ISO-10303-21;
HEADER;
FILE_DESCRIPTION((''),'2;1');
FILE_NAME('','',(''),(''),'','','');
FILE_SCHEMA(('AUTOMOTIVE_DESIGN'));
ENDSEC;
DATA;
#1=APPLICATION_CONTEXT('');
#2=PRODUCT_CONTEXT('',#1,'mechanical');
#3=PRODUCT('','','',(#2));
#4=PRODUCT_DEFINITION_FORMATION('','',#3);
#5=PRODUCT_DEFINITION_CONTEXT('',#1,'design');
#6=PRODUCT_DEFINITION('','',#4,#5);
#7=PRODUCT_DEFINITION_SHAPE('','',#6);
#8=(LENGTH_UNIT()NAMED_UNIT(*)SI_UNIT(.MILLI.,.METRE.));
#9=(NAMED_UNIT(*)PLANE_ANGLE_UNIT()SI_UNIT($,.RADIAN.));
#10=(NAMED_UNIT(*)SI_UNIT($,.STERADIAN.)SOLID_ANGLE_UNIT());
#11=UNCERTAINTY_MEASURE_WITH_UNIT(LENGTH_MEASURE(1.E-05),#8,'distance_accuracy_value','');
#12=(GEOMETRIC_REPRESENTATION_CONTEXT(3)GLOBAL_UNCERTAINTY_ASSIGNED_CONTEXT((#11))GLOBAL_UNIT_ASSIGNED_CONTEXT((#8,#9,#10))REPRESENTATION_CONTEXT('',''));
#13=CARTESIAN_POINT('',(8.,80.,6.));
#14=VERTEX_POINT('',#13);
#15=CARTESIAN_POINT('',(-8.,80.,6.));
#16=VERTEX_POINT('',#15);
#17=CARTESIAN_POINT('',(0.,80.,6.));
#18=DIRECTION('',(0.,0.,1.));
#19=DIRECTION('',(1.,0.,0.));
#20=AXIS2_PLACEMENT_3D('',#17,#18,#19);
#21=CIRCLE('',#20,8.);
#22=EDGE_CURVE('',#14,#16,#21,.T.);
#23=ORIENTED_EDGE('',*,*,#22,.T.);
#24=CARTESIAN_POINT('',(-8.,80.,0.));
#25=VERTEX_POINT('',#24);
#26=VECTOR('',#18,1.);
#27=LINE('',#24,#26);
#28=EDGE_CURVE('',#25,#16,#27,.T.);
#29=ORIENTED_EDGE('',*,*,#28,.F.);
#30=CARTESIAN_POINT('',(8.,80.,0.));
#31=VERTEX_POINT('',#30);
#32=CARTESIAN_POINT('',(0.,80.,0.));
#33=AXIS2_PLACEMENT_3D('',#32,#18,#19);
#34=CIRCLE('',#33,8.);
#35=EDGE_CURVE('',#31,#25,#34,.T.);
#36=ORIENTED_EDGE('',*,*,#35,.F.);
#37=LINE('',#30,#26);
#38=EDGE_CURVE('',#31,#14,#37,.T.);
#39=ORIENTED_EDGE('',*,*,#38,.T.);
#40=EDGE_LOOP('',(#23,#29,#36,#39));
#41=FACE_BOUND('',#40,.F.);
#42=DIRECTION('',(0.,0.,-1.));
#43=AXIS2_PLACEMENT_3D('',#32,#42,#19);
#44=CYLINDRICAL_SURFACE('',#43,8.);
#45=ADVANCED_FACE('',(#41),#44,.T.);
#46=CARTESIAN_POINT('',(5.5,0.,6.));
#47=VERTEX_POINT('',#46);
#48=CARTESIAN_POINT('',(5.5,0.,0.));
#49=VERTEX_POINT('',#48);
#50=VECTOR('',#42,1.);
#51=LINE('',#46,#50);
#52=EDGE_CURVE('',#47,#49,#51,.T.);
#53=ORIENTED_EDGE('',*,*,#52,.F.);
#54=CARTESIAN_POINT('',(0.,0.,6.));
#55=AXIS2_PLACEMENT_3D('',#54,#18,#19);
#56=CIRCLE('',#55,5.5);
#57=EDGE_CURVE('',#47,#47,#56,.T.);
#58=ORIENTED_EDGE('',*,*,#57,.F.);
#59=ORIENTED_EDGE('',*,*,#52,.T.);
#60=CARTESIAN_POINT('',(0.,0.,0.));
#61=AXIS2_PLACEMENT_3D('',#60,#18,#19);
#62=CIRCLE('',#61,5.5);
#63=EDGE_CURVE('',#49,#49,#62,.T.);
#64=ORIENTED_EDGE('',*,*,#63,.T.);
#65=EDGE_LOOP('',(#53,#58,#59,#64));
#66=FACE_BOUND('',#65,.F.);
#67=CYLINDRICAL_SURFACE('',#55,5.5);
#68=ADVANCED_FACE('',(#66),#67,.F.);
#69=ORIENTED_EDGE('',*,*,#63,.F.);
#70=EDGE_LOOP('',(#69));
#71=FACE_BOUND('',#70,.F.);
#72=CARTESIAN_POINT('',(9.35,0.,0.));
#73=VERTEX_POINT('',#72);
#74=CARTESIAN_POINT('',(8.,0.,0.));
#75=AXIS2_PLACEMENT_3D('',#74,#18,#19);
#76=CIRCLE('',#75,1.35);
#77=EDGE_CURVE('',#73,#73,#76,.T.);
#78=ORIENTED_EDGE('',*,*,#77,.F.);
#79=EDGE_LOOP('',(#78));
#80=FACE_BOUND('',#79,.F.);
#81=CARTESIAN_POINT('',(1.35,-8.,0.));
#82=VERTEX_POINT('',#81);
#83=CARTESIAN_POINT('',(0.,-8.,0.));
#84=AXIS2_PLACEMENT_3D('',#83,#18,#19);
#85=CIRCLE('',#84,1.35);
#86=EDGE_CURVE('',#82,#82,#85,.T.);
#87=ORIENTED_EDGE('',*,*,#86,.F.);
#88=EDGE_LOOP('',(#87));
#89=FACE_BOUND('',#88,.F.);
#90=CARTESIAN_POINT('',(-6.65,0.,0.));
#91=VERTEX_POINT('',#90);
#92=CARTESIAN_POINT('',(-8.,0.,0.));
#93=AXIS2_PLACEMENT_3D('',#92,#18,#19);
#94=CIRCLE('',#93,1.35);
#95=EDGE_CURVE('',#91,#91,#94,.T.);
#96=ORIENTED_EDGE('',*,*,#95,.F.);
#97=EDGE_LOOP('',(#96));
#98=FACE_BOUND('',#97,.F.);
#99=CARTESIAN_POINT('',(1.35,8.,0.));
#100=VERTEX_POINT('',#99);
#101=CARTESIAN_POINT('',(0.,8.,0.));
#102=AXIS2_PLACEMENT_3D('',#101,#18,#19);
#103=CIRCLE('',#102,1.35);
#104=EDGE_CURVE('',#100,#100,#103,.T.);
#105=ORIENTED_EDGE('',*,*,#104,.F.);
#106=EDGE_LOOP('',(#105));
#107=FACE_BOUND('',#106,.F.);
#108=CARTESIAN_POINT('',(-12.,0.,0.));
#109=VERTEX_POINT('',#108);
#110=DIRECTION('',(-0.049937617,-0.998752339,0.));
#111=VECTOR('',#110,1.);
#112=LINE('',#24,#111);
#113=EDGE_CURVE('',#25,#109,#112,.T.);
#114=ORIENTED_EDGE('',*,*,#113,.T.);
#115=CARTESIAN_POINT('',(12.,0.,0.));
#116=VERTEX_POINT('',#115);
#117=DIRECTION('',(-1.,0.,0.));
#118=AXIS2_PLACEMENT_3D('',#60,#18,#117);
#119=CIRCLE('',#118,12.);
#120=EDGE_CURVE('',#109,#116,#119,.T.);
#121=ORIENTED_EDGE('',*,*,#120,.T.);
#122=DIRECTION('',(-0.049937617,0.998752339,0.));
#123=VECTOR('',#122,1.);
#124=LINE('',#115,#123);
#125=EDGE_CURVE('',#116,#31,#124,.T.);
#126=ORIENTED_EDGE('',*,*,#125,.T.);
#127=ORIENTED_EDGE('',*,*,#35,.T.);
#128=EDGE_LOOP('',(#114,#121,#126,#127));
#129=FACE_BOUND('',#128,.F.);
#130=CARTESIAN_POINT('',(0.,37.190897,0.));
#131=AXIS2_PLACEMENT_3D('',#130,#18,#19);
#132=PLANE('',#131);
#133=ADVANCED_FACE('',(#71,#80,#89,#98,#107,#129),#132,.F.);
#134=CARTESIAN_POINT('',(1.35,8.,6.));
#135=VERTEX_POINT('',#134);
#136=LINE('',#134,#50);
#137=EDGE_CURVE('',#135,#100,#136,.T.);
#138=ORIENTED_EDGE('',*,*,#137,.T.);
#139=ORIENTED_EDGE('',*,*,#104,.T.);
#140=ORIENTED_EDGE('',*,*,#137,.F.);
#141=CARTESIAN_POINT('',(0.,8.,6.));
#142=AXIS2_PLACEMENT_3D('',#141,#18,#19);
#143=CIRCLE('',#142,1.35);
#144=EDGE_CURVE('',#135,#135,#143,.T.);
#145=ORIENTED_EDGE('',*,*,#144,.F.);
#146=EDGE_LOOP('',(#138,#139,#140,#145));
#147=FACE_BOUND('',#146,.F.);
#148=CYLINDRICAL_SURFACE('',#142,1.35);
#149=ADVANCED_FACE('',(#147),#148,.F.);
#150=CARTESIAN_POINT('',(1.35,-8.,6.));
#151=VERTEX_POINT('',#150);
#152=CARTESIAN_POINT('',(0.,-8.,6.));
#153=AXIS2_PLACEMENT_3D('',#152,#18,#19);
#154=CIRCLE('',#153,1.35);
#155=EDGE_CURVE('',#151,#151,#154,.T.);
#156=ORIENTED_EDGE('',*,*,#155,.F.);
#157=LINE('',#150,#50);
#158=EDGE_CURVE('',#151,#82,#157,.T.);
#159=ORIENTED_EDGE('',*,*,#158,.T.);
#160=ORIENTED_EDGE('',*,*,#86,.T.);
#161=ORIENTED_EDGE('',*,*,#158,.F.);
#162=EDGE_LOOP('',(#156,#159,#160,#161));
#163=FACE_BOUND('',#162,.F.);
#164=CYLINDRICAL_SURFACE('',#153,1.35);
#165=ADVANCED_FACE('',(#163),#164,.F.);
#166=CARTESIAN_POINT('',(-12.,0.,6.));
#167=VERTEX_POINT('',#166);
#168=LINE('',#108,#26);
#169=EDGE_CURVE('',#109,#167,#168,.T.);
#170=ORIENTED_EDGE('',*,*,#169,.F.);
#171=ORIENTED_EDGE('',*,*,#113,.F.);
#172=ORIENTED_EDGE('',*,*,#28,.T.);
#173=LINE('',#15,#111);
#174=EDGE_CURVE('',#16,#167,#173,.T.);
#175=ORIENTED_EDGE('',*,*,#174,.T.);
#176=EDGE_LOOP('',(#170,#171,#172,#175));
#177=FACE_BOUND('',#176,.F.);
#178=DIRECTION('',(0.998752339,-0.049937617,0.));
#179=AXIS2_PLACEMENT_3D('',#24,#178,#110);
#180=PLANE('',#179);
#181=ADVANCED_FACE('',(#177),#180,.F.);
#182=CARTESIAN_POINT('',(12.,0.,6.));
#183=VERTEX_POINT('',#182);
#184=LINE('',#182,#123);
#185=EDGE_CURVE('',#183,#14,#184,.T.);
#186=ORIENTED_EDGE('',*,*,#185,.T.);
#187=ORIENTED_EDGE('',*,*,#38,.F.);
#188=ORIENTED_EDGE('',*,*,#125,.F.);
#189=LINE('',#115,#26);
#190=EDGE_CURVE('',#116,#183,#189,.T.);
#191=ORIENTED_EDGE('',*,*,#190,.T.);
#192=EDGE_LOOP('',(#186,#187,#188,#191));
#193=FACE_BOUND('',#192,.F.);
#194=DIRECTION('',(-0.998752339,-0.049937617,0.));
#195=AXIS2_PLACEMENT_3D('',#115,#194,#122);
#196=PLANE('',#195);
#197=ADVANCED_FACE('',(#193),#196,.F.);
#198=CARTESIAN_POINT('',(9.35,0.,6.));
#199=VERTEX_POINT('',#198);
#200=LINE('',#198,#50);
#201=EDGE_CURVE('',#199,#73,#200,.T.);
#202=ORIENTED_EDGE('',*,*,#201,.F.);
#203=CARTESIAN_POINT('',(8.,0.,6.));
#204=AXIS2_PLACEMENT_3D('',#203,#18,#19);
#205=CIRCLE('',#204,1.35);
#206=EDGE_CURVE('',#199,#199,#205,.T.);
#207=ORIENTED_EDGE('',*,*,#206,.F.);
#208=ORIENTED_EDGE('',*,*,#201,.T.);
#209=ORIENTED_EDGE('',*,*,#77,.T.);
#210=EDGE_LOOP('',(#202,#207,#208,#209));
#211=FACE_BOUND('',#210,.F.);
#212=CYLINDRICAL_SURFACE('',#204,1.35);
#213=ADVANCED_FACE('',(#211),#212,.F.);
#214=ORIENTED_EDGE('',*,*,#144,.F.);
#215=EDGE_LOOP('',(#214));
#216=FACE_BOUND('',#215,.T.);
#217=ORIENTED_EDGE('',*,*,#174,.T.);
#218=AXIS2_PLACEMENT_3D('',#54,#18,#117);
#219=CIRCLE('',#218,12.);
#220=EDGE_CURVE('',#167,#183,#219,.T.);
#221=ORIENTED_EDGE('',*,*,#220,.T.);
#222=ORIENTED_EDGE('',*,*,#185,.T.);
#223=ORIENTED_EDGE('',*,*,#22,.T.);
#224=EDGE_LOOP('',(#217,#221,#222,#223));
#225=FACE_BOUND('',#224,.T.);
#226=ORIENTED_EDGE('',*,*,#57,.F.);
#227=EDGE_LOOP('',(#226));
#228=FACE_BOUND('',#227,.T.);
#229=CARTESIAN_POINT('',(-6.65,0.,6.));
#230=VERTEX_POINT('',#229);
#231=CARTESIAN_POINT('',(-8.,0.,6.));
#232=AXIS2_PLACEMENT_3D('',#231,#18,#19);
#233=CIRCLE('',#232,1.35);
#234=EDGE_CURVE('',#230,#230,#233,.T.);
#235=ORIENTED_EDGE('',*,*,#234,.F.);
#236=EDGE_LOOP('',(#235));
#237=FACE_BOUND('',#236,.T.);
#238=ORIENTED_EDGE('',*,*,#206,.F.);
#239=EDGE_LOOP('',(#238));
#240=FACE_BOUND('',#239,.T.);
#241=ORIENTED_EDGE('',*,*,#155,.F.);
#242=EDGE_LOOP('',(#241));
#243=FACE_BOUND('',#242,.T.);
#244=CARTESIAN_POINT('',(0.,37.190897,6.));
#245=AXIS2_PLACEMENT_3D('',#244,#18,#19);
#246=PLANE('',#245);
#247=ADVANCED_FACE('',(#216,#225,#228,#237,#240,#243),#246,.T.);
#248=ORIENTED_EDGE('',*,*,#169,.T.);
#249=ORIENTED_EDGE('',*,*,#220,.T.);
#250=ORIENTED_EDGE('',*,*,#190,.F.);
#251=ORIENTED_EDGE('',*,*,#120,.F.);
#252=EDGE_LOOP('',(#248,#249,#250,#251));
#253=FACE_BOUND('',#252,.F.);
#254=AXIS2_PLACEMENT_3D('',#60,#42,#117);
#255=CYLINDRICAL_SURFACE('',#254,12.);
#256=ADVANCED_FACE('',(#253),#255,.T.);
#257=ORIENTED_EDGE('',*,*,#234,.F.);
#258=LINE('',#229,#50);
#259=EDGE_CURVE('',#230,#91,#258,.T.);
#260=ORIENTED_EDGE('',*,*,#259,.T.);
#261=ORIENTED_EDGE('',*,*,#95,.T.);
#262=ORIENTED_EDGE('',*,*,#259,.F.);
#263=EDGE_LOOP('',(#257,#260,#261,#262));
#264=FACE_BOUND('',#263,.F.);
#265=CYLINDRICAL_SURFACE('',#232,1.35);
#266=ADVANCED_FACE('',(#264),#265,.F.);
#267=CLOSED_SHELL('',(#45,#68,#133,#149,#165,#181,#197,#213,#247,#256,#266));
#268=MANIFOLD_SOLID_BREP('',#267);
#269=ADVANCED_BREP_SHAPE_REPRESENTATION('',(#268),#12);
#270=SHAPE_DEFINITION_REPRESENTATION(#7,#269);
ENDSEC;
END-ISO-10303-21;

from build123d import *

# Parameters (mm, degrees)
BOSS_EXTRU_1_DEPTH           = 6
ESQUISSE2_R                  = 5.5
ESQUISSE2_R_2                = 1.35
ENL_V_MAT_EXTRU_1_DEPTH      = 1
ENL_V_MAT_EXTRU_1_DEPTH_BACK = 7


with BuildPart() as part:
    # Esquisse1 → Boss.-Extru.1 (new body)
    with BuildSketch(Plane.XY):
        with BuildLine():
            Line((12, 0), (8, 80))
            ThreePointArc((8, 80), (0, 88), (-8, 80))
            Line((-8, 80), (-12, 0))
            ThreePointArc((-12, 0), (0, -12), (12, 0))
        make_face()
    extrude(amount=BOSS_EXTRU_1_DEPTH)

    # Esquisse2 → Enlèv. mat.-Extru.1 (cut, two sides)
    with BuildSketch(Plane.XY.offset(6)) as enl_v_mat_extru_1_sk:
        Circle(ESQUISSE2_R)
        with Locations((8, 0)):
            Circle(ESQUISSE2_R_2)
        with Locations((0, -8)):
            Circle(ESQUISSE2_R_2)
        with Locations((-8, 0)):
            Circle(ESQUISSE2_R_2)
        with Locations((0, 8)):
            Circle(ESQUISSE2_R_2)
    extrude(amount=ENL_V_MAT_EXTRU_1_DEPTH, mode=Mode.SUBTRACT)
    extrude(enl_v_mat_extru_1_sk.sketch, amount=-ENL_V_MAT_EXTRU_1_DEPTH_BACK, mode=Mode.SUBTRACT)


solid = part.part
